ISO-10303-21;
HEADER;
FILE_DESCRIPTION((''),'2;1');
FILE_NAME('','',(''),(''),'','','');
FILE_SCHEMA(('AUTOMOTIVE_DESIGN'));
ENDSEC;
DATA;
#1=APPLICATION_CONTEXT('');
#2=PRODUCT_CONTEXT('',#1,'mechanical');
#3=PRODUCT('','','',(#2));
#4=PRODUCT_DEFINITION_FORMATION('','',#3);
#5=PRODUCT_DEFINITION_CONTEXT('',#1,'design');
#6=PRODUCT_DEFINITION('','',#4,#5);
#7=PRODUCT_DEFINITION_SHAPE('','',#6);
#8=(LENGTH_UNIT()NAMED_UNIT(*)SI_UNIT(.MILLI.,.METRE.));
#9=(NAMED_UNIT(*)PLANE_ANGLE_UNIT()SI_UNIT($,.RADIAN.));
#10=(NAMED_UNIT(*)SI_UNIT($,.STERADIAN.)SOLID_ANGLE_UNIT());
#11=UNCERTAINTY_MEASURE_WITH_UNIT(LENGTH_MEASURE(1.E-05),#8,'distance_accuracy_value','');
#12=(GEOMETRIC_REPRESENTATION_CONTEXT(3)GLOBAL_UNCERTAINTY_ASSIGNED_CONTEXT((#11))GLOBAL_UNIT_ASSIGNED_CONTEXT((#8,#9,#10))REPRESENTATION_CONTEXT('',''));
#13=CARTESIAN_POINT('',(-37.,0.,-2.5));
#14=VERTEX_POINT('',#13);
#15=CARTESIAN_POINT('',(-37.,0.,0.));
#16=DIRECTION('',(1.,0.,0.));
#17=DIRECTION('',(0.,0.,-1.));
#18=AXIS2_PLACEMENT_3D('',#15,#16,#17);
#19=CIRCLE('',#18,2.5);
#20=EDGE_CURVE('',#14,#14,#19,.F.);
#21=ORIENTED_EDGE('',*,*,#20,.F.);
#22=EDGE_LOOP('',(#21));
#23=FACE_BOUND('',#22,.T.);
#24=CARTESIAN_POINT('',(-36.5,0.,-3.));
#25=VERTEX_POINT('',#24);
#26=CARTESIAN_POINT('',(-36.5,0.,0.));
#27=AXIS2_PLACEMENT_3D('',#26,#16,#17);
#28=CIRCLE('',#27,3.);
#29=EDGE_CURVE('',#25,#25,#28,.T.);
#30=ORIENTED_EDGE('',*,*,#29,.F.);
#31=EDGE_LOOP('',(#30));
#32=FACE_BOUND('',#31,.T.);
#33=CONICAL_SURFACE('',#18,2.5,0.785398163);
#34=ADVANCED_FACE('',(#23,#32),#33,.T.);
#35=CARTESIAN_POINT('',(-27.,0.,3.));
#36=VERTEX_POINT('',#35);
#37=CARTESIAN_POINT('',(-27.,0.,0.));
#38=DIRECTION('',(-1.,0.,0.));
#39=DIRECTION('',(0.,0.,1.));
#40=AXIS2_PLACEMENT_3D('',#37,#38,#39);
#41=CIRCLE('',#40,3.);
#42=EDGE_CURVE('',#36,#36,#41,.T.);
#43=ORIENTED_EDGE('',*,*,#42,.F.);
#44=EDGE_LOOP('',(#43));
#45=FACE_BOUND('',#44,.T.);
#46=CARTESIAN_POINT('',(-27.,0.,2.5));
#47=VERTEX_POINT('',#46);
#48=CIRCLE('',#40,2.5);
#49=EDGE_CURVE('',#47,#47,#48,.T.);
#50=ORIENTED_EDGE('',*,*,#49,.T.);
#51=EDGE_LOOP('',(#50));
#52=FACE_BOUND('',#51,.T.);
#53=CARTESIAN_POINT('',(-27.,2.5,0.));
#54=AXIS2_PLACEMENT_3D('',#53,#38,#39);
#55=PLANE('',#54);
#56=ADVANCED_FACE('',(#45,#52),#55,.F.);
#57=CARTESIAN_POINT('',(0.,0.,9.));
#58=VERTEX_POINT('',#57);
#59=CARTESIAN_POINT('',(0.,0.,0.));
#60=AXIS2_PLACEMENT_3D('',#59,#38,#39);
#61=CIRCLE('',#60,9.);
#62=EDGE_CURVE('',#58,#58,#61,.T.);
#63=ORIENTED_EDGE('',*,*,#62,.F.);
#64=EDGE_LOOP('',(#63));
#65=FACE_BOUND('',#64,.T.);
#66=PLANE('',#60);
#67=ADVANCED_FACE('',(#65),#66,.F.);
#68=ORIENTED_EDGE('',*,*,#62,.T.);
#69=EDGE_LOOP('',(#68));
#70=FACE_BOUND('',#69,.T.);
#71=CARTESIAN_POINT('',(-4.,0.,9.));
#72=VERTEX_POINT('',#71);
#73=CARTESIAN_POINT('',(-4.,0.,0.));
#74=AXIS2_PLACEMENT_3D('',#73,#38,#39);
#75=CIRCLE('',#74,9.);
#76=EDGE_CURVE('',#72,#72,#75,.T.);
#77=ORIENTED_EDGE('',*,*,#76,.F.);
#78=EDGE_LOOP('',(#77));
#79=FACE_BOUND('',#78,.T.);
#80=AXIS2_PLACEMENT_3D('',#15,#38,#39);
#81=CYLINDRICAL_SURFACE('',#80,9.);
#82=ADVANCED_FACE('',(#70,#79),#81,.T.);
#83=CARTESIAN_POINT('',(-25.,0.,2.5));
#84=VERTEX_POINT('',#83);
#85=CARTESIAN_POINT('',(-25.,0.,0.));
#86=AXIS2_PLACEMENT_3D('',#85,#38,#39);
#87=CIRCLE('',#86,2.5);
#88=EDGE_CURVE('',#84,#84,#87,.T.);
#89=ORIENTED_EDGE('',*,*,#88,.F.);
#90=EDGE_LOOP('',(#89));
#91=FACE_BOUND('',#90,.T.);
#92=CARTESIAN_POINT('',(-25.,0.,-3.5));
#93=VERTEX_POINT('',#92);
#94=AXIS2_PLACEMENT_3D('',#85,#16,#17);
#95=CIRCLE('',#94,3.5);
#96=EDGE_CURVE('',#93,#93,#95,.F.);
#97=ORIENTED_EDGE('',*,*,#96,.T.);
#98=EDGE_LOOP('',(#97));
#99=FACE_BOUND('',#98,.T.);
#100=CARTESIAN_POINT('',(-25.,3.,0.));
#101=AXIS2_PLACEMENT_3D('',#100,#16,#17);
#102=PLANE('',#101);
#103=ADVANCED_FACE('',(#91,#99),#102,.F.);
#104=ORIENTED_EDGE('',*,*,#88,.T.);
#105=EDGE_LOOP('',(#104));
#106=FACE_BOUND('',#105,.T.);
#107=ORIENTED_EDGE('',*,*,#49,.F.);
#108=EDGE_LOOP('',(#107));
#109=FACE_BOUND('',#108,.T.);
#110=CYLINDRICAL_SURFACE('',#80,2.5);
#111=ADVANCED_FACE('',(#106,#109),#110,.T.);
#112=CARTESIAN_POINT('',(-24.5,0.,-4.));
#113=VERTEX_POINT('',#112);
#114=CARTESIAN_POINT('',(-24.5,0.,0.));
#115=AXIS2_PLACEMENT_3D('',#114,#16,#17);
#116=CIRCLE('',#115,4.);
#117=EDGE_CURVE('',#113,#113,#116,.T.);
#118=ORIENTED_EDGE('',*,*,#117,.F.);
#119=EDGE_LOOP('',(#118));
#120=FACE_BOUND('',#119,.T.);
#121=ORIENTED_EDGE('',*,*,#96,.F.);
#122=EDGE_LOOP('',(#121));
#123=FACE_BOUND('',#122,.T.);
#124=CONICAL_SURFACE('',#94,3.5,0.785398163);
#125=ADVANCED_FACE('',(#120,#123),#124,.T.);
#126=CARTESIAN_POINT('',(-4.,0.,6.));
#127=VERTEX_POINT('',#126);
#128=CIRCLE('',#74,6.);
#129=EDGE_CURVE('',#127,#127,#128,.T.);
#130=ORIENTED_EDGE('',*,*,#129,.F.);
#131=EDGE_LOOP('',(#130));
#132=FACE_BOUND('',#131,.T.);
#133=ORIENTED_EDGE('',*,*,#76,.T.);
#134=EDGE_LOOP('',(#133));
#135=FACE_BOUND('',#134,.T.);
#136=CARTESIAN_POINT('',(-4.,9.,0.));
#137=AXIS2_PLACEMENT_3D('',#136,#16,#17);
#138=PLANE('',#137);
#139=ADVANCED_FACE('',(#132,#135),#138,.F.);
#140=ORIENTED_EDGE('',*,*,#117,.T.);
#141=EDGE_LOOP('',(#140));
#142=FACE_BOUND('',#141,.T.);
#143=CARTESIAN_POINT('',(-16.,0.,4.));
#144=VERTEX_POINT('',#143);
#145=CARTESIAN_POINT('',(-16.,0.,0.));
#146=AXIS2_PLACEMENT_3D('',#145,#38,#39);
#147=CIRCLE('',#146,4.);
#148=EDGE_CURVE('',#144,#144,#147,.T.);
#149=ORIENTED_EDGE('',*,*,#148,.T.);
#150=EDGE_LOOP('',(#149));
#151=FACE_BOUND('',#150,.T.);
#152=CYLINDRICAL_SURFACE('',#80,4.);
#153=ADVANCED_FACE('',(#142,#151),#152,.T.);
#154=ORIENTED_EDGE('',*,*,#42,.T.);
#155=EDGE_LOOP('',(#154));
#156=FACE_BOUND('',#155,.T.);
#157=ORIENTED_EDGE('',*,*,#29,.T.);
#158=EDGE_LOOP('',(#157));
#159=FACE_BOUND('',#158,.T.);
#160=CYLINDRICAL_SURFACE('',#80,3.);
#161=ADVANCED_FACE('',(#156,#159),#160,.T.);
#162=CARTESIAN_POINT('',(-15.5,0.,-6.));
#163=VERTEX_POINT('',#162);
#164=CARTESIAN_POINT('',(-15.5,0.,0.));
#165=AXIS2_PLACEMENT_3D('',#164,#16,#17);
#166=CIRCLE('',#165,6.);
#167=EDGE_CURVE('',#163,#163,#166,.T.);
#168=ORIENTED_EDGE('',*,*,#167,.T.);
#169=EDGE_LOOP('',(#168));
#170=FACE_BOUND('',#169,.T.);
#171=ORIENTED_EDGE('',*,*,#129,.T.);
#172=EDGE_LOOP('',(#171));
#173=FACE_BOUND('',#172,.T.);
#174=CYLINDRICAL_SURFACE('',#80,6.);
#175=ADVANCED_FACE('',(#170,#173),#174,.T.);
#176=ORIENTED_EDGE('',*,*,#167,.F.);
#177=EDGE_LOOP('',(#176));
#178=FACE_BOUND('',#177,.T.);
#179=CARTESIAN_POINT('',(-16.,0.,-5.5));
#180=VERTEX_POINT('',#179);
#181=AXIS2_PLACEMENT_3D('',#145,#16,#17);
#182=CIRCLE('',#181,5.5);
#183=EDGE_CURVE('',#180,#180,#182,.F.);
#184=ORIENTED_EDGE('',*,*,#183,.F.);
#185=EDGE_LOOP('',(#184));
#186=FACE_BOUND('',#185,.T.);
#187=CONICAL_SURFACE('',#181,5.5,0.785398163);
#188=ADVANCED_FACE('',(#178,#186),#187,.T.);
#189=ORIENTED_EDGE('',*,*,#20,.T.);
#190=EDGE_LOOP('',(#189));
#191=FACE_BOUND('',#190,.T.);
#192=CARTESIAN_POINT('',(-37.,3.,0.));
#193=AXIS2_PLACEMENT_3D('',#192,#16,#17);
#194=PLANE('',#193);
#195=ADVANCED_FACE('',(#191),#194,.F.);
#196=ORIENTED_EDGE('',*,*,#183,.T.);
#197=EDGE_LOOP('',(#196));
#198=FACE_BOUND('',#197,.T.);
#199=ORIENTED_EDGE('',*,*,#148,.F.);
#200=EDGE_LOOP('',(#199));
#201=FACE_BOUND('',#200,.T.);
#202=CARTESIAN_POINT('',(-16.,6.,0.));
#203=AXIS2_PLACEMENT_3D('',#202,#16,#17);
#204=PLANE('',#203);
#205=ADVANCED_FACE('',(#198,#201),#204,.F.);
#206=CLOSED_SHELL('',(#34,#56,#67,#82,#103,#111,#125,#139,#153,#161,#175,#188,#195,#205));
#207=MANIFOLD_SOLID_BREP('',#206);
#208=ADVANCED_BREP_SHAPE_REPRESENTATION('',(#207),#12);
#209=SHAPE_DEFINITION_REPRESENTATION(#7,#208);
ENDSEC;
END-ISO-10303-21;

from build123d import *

# Parameters (mm, degrees)
CHANFREIN1_SIZE = 0.5
CHANFREIN2_SIZE = 0.5
CHANFREIN3_SIZE = 0.5


with BuildPart() as part:
    # Esquisse1 → Révolution1 (revolve)
    with BuildSketch(Plane.XY, mode=Mode.PRIVATE) as r_volution1_sk:
        Polygon((0, 0), (0, 9), (-4, 9), (-4, 6), (-16, 6), (-16, 4), (-25, 4), (-25, 3), (-25, 2.5), (-27, 2.5), (-27, 3), (-37, 3), (-37, 0), align=None)
    revolve(r_volution1_sk.sketch.rotate(Axis((-37, 0, 0), (1, 0, 0)), 90), axis=Axis((-37, 0, 0), (1, 0, 0)))  # turned: the seam where the file's is

    # Chanfrein1
    chanfrein1_edges = [part.edges().sort_by_distance(p)[0] for p in [
        (-37, 0, -3),
    ]]
    chamfer(chanfrein1_edges, length=CHANFREIN1_SIZE)

    # Chanfrein2
    chanfrein2_edges = [part.edges().sort_by_distance(p)[0] for p in [
        (-16, 0, -6),
    ]]
    chamfer(chanfrein2_edges, length=CHANFREIN2_SIZE)

    # Chanfrein3
    chanfrein3_edges = [part.edges().sort_by_distance(p)[0] for p in [
        (-25, 0, -4),
    ]]
    chamfer(chanfrein3_edges, length=CHANFREIN3_SIZE)


solid = part.part
